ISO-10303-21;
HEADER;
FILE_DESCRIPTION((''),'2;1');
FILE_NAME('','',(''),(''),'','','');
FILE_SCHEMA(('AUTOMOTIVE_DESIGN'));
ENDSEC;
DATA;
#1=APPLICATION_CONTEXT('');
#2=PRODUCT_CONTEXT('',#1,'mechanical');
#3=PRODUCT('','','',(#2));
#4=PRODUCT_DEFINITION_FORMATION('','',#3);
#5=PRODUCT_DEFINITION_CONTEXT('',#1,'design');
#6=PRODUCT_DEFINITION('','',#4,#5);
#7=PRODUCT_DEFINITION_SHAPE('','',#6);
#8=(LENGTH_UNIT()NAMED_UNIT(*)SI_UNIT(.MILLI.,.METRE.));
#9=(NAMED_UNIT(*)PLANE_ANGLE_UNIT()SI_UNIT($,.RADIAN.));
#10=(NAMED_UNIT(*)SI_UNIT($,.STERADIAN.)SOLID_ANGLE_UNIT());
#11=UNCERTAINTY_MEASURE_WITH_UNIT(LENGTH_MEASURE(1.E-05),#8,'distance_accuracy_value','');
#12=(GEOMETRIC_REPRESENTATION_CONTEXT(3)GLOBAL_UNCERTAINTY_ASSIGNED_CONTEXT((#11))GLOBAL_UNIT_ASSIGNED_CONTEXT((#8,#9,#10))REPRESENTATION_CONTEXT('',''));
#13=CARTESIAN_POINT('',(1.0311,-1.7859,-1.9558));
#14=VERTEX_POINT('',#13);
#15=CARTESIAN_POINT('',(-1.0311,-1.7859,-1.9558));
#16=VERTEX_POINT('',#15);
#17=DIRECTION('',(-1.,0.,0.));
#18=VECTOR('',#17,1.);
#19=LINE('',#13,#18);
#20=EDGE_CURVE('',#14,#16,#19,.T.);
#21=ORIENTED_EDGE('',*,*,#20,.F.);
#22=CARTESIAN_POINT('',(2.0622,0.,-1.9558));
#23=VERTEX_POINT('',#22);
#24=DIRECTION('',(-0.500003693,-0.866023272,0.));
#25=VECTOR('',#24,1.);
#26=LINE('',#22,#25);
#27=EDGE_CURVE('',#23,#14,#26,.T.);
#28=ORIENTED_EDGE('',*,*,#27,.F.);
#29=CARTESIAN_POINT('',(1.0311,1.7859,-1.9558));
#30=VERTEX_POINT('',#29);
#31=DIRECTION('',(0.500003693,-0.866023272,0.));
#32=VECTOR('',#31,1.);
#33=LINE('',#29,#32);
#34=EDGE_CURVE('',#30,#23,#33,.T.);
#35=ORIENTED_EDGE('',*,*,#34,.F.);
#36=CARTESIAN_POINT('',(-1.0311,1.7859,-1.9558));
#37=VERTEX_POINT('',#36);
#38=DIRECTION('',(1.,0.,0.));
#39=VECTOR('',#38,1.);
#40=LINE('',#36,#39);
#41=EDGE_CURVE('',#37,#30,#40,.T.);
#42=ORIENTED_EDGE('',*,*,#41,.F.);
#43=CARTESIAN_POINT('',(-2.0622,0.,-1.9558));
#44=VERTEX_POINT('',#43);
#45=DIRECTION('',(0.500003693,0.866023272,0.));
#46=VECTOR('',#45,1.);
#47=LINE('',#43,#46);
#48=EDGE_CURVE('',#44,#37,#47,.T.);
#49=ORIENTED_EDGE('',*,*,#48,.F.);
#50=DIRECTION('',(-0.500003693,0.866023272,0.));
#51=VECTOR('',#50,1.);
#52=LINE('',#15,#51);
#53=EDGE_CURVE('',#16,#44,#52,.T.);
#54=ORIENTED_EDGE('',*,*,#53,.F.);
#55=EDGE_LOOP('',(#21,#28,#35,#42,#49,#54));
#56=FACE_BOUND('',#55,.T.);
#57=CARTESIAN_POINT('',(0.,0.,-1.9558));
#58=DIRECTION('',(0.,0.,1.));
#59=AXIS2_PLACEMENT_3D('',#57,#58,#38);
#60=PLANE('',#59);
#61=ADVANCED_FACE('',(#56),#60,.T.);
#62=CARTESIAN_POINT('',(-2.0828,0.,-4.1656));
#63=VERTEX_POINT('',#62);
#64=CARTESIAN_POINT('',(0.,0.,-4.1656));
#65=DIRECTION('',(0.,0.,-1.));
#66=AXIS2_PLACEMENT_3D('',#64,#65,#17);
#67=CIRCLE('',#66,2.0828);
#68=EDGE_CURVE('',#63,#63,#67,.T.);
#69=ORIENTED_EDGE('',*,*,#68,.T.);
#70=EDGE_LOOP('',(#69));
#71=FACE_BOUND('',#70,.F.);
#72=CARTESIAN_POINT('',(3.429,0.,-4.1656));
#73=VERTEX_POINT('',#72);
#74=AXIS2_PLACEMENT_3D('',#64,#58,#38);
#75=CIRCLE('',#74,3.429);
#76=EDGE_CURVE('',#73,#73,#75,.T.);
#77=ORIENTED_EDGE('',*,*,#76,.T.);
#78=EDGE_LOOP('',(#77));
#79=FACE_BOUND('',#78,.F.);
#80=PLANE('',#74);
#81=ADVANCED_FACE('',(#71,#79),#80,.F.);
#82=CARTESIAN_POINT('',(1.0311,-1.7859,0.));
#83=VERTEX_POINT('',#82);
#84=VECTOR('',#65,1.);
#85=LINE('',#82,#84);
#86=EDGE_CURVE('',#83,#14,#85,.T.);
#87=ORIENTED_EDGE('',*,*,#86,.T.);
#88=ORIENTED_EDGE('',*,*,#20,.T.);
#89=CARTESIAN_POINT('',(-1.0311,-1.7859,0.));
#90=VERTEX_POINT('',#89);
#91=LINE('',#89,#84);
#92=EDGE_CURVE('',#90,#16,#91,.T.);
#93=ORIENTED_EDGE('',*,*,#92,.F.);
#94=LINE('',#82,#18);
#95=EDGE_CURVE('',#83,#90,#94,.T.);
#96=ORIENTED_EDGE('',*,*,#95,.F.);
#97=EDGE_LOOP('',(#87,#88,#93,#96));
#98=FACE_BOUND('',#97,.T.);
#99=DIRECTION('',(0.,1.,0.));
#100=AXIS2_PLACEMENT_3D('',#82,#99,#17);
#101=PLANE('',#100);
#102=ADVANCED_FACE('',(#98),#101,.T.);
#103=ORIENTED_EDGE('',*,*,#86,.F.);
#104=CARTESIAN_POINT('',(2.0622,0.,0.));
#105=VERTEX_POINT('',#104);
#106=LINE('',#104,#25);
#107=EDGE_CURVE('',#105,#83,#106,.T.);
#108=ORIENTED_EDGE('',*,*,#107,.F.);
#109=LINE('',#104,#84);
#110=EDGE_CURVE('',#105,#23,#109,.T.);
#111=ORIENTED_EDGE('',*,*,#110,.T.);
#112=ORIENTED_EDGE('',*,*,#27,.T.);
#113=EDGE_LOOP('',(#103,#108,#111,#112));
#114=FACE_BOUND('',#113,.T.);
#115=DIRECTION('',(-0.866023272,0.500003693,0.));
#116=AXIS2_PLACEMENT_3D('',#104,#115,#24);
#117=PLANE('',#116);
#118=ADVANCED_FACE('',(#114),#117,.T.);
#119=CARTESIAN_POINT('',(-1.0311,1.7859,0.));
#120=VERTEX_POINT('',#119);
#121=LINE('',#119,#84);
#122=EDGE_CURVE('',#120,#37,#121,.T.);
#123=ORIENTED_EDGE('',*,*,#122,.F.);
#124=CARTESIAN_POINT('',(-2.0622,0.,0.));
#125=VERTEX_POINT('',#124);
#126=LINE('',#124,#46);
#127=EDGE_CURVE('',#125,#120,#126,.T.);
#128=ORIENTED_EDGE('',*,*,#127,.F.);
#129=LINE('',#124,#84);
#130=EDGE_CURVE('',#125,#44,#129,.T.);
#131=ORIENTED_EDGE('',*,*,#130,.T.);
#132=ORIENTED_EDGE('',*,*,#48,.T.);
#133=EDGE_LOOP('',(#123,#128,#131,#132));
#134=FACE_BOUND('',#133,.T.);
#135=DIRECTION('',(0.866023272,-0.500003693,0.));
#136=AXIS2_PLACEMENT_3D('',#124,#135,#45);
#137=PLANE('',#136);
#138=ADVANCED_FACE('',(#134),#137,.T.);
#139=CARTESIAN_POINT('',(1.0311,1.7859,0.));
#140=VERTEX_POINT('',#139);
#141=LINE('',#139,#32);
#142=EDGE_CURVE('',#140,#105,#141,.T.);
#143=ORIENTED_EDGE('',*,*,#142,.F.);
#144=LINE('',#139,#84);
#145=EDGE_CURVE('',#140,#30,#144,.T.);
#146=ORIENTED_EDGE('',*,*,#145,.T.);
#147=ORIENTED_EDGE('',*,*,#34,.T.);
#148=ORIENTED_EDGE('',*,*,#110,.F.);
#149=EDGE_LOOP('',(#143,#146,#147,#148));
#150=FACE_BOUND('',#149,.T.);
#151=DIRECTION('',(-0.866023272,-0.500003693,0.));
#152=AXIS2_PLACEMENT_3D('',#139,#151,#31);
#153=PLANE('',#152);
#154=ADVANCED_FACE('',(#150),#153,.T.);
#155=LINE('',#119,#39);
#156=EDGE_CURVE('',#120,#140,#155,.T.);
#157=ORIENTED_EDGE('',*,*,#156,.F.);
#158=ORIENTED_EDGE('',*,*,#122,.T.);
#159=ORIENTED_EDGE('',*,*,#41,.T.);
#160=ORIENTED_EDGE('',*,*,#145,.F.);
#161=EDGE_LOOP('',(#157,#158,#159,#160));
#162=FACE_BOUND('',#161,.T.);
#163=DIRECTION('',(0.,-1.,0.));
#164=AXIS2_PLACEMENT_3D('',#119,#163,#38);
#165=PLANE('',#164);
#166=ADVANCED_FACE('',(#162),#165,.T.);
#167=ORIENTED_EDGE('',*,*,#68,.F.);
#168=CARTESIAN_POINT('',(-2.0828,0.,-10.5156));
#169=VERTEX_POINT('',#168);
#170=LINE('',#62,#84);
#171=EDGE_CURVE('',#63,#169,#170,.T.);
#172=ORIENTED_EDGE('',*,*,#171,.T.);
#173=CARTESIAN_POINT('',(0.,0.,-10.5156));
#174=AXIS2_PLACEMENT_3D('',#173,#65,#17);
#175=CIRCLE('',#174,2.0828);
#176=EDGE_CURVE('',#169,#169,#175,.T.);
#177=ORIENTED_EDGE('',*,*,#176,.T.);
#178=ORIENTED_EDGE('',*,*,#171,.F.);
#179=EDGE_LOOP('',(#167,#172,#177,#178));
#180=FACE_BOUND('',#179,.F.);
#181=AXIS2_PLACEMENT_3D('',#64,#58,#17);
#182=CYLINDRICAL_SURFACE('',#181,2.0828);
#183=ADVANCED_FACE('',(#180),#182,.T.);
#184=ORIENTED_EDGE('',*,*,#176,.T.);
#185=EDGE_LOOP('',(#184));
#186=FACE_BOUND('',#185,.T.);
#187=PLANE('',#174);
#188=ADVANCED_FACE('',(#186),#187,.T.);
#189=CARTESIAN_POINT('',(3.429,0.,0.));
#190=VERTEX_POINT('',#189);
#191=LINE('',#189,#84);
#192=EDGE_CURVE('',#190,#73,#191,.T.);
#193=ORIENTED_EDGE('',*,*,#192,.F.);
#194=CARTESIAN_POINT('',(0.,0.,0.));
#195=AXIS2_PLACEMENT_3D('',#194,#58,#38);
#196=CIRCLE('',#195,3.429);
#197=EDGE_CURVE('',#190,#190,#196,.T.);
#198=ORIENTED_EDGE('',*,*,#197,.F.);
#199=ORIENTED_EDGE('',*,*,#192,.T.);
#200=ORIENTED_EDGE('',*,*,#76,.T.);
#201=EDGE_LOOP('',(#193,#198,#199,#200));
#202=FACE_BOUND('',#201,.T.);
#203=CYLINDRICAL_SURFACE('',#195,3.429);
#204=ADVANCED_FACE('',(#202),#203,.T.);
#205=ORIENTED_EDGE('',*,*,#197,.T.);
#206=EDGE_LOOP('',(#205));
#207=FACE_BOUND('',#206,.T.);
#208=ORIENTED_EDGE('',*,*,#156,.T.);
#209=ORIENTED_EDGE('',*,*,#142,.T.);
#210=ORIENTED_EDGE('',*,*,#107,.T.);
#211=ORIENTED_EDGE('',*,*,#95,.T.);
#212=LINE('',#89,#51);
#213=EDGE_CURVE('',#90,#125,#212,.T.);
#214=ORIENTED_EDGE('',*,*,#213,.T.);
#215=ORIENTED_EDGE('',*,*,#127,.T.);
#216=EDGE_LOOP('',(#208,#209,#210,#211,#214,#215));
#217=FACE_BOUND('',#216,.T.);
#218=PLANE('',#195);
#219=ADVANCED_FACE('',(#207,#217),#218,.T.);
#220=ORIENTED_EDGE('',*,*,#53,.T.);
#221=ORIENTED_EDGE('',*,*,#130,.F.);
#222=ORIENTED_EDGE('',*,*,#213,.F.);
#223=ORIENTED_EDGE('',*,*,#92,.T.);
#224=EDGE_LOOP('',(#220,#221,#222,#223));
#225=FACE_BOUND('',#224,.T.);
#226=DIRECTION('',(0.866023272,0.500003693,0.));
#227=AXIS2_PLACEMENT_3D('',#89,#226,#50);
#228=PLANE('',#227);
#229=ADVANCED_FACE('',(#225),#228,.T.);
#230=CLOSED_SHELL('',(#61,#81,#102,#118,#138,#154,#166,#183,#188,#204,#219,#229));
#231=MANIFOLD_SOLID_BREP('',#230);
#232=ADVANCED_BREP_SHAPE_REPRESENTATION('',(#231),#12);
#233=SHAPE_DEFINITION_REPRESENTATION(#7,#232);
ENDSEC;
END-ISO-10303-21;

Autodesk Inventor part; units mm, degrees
ref_plane "YZ Plane" through (0, 0, 0) normal (1, 0, 0) x (0, 1, 0)
ref_plane "XZ Plane" through (0, 0, 0) normal (0, 1, 0) x (-1, 0, 0)
ref_plane "XY Plane" through (0, 0, 0) normal (0, 0, 1) x (1, 0, 0)
sketch "Sketch1" plane through (0, 0, 0) normal (0, 0, 1) x (1, 0, 0)
  circle A0 centre (0, 0) radius 3.429
  dimension "head_dia" = 6.858
extrude "Extrusion1" add sketch "Sketch1" against normal blind 4.1656
sketch "Sketch2" plane through (0, 0, -4.1656) normal (0, 0, -1) x (-1, 0, 0)
  circle A0 centre (0, 0) radius 2.0828
  dimension "body_dia" = 4.1656
extrude "Extrusion2" add sketch "Sketch2" along normal blind 6.35
sketch "Sketch3" plane through (0, 0, 0) normal (0, 0, 1) x (1, 0, 0)
  line L0 (2.0622, 0) -> (1.0311, -1.7859)
  line L1 (1.0311, -1.7859) -> (-1.0311, -1.7859)
  line L2 (-1.0311, -1.7859) -> (-2.0622, 0)
  line L3 (-2.0622, 0) -> (-1.0311, 1.7859)
  line L4 (-1.0311, 1.7859) -> (1.0311, 1.7859)
  line L5 (1.0311, 1.7859) -> (2.0622, 0)
  point P0 (0, 0)
  point P1 (0, 0)
  dimension "allen" = 3.5719
extrude "Extrusion3" cut sketch "Sketch3" against normal blind 1.9558
properties part number "shcs-8-0250"
